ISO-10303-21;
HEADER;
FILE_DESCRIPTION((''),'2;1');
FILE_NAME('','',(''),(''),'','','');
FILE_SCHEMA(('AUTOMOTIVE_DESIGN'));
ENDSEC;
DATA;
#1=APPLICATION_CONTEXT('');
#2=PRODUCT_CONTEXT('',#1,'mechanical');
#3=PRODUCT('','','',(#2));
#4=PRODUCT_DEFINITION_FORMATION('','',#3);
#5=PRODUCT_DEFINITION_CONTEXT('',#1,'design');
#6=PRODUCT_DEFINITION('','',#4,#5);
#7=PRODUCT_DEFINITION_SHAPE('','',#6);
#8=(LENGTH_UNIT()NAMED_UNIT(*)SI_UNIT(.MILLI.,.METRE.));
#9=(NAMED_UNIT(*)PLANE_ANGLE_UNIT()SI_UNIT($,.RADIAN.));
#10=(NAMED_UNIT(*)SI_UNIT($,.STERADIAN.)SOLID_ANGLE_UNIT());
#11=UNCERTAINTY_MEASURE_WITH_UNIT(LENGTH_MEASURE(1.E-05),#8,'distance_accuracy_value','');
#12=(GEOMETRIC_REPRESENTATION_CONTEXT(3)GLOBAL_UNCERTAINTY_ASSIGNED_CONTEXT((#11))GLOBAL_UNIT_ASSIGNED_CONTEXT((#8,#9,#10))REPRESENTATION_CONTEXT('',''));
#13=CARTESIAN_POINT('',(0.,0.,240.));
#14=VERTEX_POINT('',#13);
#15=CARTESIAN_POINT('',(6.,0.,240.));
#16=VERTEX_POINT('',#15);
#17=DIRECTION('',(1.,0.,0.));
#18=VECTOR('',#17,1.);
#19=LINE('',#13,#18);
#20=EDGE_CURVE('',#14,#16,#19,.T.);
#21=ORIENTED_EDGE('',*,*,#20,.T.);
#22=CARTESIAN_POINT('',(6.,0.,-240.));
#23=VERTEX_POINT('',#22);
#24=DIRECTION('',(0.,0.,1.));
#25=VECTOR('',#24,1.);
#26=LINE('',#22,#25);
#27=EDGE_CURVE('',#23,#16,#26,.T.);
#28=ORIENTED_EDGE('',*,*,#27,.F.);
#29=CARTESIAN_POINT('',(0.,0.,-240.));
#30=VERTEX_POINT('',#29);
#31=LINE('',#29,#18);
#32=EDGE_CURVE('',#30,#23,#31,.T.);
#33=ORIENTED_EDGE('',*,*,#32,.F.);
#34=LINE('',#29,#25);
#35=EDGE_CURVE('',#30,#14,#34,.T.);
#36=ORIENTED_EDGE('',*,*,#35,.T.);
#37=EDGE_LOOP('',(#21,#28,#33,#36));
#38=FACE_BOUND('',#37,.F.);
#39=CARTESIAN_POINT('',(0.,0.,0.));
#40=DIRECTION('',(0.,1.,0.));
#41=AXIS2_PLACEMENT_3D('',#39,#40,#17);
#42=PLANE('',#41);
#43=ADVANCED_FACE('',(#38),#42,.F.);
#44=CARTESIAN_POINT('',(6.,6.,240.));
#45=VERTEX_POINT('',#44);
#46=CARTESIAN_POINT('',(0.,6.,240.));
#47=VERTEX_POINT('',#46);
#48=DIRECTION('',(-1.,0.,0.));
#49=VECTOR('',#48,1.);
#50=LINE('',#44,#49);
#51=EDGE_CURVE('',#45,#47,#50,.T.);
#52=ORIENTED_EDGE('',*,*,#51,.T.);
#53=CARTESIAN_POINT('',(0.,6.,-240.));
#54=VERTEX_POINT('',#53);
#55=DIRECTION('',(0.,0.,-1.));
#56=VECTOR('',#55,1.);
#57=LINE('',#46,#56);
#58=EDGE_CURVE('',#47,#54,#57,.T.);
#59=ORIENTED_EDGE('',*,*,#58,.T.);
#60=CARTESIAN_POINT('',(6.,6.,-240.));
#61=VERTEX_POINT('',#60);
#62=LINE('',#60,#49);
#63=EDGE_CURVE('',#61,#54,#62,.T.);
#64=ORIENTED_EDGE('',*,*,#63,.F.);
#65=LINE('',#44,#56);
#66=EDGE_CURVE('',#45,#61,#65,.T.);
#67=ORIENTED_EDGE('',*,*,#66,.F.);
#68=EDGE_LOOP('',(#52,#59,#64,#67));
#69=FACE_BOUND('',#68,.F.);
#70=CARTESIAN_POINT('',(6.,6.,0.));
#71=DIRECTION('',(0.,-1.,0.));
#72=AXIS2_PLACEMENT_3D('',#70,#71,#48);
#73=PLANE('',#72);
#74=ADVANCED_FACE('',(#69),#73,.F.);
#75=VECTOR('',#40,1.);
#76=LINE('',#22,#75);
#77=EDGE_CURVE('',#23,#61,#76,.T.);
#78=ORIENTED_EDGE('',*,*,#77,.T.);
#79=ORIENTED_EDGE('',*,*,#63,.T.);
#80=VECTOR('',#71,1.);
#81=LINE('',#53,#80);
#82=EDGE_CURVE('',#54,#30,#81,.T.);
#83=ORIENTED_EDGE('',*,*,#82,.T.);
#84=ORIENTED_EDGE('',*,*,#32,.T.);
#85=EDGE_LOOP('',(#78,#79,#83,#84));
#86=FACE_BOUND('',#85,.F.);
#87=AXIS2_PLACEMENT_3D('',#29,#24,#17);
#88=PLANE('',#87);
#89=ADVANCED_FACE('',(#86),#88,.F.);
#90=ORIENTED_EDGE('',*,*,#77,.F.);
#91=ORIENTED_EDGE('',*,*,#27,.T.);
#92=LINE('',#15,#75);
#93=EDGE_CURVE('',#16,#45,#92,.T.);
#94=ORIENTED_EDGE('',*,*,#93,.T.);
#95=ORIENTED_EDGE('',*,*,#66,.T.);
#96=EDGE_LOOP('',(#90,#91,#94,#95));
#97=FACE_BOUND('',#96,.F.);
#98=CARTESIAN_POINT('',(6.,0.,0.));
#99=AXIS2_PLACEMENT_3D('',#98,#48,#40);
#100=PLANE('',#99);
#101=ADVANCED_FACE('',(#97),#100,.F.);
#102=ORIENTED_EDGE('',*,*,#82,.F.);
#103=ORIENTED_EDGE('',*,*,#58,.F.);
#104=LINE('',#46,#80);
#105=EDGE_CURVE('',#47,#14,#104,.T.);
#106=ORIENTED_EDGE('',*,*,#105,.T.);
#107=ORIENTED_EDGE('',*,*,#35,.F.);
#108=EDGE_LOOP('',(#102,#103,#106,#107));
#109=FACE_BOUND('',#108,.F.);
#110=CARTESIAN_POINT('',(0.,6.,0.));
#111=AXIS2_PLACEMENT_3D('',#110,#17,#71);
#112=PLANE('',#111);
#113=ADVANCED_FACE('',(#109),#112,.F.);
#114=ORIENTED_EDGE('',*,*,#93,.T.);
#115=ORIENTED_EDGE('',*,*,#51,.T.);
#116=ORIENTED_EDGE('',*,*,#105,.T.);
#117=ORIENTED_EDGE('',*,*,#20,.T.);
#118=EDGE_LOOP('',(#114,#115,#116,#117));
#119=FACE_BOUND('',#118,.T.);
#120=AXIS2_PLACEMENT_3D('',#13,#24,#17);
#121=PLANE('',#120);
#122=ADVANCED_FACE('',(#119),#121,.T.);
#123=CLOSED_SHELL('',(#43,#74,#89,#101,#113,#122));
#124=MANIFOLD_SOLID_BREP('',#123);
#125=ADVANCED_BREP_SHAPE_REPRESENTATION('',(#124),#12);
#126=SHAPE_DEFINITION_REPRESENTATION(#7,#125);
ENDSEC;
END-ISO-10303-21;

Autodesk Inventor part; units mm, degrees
ref_plane "YZ Plane" through (0, 0, 0) normal (1, 0, 0) x (0, 1, 0)
ref_plane "XZ Plane" through (0, 0, 0) normal (0, 1, 0) x (-1, 0, 0)
sketch "Sketch1" plane through (0, 0, 0) normal (0, 0, 1) x (1, 0, 0)
  line L0 (0, 0) -> (6, 0)
  line L1 (6, 0) -> (6, 6)
  line L2 (6, 6) -> (0, 6)
  line L3 (0, 6) -> (0, 0)
  dimension "d0" = 6
  dimension "d1" = 6
extrude "Extrusion1" add sketch "Sketch1" along normal mid plane 480
properties part number "carbon_stick"
